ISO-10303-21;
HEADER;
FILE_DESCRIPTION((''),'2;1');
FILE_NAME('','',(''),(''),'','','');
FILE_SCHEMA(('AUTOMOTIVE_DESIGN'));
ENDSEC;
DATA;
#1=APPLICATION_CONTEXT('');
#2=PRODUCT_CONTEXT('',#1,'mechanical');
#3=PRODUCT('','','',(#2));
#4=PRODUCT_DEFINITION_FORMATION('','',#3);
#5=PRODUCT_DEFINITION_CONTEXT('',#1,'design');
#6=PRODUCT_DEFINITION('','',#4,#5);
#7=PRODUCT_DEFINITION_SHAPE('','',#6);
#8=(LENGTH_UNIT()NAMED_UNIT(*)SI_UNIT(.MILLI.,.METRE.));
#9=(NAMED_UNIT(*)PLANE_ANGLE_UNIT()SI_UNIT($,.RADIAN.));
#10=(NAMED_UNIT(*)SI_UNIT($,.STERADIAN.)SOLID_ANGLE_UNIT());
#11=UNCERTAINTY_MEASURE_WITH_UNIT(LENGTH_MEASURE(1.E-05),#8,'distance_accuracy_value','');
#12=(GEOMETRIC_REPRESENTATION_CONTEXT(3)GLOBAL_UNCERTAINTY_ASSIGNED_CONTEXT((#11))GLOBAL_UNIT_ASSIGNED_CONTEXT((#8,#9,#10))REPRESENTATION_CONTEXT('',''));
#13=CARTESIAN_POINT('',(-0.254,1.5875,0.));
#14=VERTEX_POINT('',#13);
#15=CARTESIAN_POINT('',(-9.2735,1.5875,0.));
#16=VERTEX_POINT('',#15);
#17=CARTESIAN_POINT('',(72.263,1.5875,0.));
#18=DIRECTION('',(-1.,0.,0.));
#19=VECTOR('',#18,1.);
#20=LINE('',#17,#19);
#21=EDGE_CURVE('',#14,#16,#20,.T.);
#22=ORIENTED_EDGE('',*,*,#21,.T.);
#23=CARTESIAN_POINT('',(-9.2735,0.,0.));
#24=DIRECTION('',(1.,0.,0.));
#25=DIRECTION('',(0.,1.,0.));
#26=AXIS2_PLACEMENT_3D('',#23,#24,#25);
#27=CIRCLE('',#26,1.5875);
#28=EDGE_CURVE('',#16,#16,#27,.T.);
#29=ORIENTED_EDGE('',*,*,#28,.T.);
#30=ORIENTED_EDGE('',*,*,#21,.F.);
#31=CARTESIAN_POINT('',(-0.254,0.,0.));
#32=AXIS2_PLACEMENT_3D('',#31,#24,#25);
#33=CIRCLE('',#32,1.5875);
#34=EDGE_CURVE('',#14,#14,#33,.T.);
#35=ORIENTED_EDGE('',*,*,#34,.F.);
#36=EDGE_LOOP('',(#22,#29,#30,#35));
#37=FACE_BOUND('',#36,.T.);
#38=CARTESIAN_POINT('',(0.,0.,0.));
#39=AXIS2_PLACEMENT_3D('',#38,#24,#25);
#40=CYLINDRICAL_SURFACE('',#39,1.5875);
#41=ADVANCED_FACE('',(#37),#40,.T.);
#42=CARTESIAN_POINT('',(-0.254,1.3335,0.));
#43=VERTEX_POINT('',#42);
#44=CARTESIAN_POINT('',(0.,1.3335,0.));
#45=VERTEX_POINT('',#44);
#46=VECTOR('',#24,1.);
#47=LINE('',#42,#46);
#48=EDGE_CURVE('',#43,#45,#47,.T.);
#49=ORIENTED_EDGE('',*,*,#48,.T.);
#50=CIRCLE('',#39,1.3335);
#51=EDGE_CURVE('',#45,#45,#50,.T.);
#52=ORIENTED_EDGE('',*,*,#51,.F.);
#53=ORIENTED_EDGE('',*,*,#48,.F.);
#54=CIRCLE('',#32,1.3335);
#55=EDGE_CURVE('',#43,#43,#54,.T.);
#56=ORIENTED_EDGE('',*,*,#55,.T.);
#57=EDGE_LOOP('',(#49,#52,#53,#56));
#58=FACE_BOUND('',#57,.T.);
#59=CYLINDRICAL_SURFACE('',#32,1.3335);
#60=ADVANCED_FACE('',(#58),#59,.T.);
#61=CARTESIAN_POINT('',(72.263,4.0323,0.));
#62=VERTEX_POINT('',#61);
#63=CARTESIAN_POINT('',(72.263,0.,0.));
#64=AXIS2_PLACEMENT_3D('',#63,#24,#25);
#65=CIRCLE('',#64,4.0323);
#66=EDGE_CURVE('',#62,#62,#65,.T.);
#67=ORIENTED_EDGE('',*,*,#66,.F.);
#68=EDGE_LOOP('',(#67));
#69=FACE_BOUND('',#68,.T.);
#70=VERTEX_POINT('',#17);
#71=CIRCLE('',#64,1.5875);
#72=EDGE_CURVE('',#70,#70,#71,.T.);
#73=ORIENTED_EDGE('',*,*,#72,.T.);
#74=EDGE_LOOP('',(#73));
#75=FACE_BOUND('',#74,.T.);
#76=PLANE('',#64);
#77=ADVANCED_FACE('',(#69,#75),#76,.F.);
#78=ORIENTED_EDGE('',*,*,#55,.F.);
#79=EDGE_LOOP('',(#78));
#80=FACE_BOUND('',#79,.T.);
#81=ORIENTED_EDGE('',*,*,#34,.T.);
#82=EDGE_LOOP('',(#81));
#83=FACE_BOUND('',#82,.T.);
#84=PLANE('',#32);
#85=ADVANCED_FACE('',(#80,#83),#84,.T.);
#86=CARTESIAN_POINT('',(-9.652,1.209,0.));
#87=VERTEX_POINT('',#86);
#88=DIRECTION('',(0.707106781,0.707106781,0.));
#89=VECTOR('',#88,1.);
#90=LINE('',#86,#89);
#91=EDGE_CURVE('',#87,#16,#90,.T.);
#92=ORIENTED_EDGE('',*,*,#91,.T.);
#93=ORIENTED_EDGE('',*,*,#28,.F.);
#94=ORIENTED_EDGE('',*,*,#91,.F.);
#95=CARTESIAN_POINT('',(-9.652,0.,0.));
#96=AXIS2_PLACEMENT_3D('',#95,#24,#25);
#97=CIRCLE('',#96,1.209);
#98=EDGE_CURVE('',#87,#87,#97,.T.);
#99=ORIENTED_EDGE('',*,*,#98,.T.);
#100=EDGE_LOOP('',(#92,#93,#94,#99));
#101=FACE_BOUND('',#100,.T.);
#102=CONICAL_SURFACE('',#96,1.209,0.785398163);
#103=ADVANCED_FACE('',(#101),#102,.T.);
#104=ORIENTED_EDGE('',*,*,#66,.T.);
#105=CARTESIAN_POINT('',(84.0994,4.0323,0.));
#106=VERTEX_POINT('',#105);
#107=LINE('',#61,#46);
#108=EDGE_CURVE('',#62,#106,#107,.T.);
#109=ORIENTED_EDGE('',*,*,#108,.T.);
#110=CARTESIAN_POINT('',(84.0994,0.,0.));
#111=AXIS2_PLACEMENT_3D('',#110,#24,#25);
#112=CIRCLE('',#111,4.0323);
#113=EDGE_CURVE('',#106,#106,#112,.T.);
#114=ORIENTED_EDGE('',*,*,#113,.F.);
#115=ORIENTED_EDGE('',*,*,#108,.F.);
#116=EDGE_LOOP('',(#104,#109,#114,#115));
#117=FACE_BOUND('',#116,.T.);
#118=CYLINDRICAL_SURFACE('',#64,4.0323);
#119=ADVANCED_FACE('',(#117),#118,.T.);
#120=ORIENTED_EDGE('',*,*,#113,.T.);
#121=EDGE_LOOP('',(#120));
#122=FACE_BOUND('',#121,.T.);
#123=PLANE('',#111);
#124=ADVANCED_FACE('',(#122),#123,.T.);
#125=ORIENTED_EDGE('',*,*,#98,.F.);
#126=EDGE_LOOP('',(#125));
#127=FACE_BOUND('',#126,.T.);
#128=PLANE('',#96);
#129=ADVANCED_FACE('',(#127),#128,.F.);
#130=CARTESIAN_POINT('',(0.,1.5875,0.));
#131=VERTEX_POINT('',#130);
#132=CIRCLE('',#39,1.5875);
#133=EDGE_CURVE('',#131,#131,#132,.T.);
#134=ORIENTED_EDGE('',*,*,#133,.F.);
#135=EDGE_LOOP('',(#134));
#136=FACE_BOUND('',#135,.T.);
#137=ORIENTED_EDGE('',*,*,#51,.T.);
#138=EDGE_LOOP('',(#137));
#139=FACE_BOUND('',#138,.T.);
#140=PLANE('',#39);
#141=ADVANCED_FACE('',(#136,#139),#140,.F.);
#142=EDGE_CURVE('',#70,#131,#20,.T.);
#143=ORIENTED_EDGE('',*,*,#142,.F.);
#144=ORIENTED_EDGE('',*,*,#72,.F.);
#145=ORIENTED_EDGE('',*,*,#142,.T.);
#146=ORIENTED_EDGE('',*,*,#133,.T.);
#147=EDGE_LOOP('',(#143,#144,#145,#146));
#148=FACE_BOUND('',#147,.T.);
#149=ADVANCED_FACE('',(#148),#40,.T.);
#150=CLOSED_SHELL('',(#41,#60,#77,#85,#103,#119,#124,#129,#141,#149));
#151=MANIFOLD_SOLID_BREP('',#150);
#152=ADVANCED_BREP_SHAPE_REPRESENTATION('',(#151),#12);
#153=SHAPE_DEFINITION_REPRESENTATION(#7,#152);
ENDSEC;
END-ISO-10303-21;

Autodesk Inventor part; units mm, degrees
sketch "Sketch_1" plane through (0, 0, 0) normal (0, 0, 1) x (1, 0, 0)
  line L0 (84.0994, 0) -> (0, 0)
  line L1 (0, 0) -> (0, 1.5875)
  line L2 (0, 1.5875) -> (72.263, 1.5875)
  line L3 (72.263, 1.5875) -> (72.263, 4.0323)
  line L4 (72.263, 4.0323) -> (84.0994, 4.0323)
  line L5 (84.0994, 4.0323) -> (84.0994, 0)
  line L6 (84.0994, 0) -> (0, 0)
revolve "Revolution1" add sketch "Sketch_1" angle 360 about axis through (84.0994, 0, 0) along (1, 0, 0)
sketch "Sketch_2" plane through (0, 0, 0) normal (0, 0, 1) x (1, 0, 0)
  line L0 (0, 0) -> (-9.652, 0)
  line L1 (-9.652, 0) -> (-9.652, 1.209)
  line L2 (-9.652, 1.209) -> (-9.2735, 1.5875)
  line L3 (-9.2735, 1.5875) -> (0, 1.5875)
  line L4 (0, 1.5875) -> (0, 0)
  line L5 (0, 0) -> (-9.652, 0)
revolve "Revolution2" add sketch "Sketch_2" angle 360 about axis through (0, 0, 0) along (1, 0, 0)
sketch "Sketch_30" plane through (0, 0, 0) normal (0, 0, 1) x (1, 0, 0)
  line L0 (0, 0) -> (-0.254, 0)
  line L1 (-0.254, 1.8415) -> (-0.254, 1.3335)
  line L2 (-0.254, 1.3335) -> (0, 1.3335)
  line L3 (0, 1.3335) -> (0, 1.8415)
  line L4 (0, 1.8415) -> (-0.254, 1.8415)
revolve "Revolution3" cut sketch "Sketch_30" angle 360 about axis through (0, 0, 0) along (1, 0, 0)
ref_plane "rod_cp_XY" through (0, 0, 0) normal (1, 0, 0) x (0, 0, -1)
ref_plane "rod_cp_YZ" through (0, 0, 0) normal (0, 0, -1) x (0, 1, 0)
ref_plane "rod_cp_ZX" through (0, 0, 0) normal (0, 1, 0) x (1, 0, 0)
ref_plane "to_rod_clevis_XY" through (-9.652, 0, 0) normal (1, 0, 0) x (0, 0, -1)
ref_plane "to_rod_clevis_YZ" through (-9.652, 0, 0) normal (0, 0, -1) x (0, 1, 0)
ref_plane "to_rod_clevis_ZX" through (-9.652, 0, 0) normal (0, 1, 0) x (1, 0, 0)
ref_plane "rl2_XY" through (0, 0, 0) normal (1, 0, 0) x (0, 0, -1)
ref_plane "rl2_YZ" through (0, 0, 0) normal (0, 0, -1) x (0, 1, 0)
ref_plane "rl2_ZX" through (0, 0, 0) normal (0, 1, 0) x (1, 0, 0)
ref_plane "rl1_XY" through (-9.652, 0, 0) normal (1, 0, 0) x (0, 0, -1)
ref_plane "rl1_YZ" through (-9.652, 0, 0) normal (0, 0, -1) x (0, 1, 0)
ref_plane "rl1_ZX" through (-9.652, 0, 0) normal (0, 1, 0) x (1, 0, 0)
ref_plane "thd1_XY" through (-9.652, 1.5875, 0) normal (1, 0, 0) x (0, 0, -1)
ref_plane "thd1_YZ" through (-9.652, 1.5875, 0) normal (0, 0, -1) x (0, 1, 0)
ref_plane "thd1_ZX" through (-9.652, 1.5875, 0) normal (0, 1, 0) x (1, 0, 0)
ref_plane "thd2_XY" through (-9.652, -1.5875, 0) normal (1, 0, 0) x (0, 0, -1)
ref_plane "thd2_YZ" through (-9.652, -1.5875, 0) normal (0, 0, -1) x (0, 1, 0)
ref_plane "thd2_ZX" through (-9.652, -1.5875, 0) normal (0, 1, 0) x (1, 0, 0)
ref_plane "dia1_XY" through (0, 1.5875, 0) normal (1, 0, 0) x (0, 0, -1)
ref_plane "dia1_YZ" through (0, 1.5875, 0) normal (0, 0, -1) x (0, 1, 0)
ref_plane "dia1_ZX" through (0, 1.5875, 0) normal (0, 1, 0) x (1, 0, 0)
ref_plane "dia2_XY" through (0, -1.5875, 0) normal (1, 0, 0) x (0, 0, -1)
ref_plane "dia2_YZ" through (0, -1.5875, 0) normal (0, 0, -1) x (0, 1, 0)
ref_plane "dia2_ZX" through (0, -1.5875, 0) normal (0, 1, 0) x (1, 0, 0)
ref_plane "dia1r_XY" through (0, 0, 5.5626) normal (1, 0, 0) x (0, 0, -1)
ref_plane "dia1r_YZ" through (0, 0, 5.5626) normal (0, 0, -1) x (0, 1, 0)
ref_plane "dia1r_ZX" through (0, 0, 5.5626) normal (0, 1, 0) x (1, 0, 0)
ref_plane "dia2r_XY" through (0, 0, -5.5626) normal (1, 0, 0) x (0, 0, -1)
ref_plane "dia2r_YZ" through (0, 0, -5.5626) normal (0, 0, -1) x (0, 1, 0)
ref_plane "dia2r_ZX" through (0, 0, -5.5626) normal (0, 1, 0) x (1, 0, 0)
ref_plane "dia12_XY" through (0, 0, 7.6835) normal (1, 0, 0) x (0, 0, -1)
ref_plane "dia12_YZ" through (0, 0, 7.6835) normal (0, 0, -1) x (0, 1, 0)
ref_plane "dia12_ZX" through (0, 0, 7.6835) normal (0, 1, 0) x (1, 0, 0)
ref_plane "dia22_XY" through (0, 0, -7.6835) normal (1, 0, 0) x (0, 0, -1)
ref_plane "dia22_YZ" through (0, 0, -7.6835) normal (0, 0, -1) x (0, 1, 0)
ref_plane "dia22_ZX" through (0, 0, -7.6835) normal (0, 1, 0) x (1, 0, 0)
properties part number "0072-DXP0_rod"
